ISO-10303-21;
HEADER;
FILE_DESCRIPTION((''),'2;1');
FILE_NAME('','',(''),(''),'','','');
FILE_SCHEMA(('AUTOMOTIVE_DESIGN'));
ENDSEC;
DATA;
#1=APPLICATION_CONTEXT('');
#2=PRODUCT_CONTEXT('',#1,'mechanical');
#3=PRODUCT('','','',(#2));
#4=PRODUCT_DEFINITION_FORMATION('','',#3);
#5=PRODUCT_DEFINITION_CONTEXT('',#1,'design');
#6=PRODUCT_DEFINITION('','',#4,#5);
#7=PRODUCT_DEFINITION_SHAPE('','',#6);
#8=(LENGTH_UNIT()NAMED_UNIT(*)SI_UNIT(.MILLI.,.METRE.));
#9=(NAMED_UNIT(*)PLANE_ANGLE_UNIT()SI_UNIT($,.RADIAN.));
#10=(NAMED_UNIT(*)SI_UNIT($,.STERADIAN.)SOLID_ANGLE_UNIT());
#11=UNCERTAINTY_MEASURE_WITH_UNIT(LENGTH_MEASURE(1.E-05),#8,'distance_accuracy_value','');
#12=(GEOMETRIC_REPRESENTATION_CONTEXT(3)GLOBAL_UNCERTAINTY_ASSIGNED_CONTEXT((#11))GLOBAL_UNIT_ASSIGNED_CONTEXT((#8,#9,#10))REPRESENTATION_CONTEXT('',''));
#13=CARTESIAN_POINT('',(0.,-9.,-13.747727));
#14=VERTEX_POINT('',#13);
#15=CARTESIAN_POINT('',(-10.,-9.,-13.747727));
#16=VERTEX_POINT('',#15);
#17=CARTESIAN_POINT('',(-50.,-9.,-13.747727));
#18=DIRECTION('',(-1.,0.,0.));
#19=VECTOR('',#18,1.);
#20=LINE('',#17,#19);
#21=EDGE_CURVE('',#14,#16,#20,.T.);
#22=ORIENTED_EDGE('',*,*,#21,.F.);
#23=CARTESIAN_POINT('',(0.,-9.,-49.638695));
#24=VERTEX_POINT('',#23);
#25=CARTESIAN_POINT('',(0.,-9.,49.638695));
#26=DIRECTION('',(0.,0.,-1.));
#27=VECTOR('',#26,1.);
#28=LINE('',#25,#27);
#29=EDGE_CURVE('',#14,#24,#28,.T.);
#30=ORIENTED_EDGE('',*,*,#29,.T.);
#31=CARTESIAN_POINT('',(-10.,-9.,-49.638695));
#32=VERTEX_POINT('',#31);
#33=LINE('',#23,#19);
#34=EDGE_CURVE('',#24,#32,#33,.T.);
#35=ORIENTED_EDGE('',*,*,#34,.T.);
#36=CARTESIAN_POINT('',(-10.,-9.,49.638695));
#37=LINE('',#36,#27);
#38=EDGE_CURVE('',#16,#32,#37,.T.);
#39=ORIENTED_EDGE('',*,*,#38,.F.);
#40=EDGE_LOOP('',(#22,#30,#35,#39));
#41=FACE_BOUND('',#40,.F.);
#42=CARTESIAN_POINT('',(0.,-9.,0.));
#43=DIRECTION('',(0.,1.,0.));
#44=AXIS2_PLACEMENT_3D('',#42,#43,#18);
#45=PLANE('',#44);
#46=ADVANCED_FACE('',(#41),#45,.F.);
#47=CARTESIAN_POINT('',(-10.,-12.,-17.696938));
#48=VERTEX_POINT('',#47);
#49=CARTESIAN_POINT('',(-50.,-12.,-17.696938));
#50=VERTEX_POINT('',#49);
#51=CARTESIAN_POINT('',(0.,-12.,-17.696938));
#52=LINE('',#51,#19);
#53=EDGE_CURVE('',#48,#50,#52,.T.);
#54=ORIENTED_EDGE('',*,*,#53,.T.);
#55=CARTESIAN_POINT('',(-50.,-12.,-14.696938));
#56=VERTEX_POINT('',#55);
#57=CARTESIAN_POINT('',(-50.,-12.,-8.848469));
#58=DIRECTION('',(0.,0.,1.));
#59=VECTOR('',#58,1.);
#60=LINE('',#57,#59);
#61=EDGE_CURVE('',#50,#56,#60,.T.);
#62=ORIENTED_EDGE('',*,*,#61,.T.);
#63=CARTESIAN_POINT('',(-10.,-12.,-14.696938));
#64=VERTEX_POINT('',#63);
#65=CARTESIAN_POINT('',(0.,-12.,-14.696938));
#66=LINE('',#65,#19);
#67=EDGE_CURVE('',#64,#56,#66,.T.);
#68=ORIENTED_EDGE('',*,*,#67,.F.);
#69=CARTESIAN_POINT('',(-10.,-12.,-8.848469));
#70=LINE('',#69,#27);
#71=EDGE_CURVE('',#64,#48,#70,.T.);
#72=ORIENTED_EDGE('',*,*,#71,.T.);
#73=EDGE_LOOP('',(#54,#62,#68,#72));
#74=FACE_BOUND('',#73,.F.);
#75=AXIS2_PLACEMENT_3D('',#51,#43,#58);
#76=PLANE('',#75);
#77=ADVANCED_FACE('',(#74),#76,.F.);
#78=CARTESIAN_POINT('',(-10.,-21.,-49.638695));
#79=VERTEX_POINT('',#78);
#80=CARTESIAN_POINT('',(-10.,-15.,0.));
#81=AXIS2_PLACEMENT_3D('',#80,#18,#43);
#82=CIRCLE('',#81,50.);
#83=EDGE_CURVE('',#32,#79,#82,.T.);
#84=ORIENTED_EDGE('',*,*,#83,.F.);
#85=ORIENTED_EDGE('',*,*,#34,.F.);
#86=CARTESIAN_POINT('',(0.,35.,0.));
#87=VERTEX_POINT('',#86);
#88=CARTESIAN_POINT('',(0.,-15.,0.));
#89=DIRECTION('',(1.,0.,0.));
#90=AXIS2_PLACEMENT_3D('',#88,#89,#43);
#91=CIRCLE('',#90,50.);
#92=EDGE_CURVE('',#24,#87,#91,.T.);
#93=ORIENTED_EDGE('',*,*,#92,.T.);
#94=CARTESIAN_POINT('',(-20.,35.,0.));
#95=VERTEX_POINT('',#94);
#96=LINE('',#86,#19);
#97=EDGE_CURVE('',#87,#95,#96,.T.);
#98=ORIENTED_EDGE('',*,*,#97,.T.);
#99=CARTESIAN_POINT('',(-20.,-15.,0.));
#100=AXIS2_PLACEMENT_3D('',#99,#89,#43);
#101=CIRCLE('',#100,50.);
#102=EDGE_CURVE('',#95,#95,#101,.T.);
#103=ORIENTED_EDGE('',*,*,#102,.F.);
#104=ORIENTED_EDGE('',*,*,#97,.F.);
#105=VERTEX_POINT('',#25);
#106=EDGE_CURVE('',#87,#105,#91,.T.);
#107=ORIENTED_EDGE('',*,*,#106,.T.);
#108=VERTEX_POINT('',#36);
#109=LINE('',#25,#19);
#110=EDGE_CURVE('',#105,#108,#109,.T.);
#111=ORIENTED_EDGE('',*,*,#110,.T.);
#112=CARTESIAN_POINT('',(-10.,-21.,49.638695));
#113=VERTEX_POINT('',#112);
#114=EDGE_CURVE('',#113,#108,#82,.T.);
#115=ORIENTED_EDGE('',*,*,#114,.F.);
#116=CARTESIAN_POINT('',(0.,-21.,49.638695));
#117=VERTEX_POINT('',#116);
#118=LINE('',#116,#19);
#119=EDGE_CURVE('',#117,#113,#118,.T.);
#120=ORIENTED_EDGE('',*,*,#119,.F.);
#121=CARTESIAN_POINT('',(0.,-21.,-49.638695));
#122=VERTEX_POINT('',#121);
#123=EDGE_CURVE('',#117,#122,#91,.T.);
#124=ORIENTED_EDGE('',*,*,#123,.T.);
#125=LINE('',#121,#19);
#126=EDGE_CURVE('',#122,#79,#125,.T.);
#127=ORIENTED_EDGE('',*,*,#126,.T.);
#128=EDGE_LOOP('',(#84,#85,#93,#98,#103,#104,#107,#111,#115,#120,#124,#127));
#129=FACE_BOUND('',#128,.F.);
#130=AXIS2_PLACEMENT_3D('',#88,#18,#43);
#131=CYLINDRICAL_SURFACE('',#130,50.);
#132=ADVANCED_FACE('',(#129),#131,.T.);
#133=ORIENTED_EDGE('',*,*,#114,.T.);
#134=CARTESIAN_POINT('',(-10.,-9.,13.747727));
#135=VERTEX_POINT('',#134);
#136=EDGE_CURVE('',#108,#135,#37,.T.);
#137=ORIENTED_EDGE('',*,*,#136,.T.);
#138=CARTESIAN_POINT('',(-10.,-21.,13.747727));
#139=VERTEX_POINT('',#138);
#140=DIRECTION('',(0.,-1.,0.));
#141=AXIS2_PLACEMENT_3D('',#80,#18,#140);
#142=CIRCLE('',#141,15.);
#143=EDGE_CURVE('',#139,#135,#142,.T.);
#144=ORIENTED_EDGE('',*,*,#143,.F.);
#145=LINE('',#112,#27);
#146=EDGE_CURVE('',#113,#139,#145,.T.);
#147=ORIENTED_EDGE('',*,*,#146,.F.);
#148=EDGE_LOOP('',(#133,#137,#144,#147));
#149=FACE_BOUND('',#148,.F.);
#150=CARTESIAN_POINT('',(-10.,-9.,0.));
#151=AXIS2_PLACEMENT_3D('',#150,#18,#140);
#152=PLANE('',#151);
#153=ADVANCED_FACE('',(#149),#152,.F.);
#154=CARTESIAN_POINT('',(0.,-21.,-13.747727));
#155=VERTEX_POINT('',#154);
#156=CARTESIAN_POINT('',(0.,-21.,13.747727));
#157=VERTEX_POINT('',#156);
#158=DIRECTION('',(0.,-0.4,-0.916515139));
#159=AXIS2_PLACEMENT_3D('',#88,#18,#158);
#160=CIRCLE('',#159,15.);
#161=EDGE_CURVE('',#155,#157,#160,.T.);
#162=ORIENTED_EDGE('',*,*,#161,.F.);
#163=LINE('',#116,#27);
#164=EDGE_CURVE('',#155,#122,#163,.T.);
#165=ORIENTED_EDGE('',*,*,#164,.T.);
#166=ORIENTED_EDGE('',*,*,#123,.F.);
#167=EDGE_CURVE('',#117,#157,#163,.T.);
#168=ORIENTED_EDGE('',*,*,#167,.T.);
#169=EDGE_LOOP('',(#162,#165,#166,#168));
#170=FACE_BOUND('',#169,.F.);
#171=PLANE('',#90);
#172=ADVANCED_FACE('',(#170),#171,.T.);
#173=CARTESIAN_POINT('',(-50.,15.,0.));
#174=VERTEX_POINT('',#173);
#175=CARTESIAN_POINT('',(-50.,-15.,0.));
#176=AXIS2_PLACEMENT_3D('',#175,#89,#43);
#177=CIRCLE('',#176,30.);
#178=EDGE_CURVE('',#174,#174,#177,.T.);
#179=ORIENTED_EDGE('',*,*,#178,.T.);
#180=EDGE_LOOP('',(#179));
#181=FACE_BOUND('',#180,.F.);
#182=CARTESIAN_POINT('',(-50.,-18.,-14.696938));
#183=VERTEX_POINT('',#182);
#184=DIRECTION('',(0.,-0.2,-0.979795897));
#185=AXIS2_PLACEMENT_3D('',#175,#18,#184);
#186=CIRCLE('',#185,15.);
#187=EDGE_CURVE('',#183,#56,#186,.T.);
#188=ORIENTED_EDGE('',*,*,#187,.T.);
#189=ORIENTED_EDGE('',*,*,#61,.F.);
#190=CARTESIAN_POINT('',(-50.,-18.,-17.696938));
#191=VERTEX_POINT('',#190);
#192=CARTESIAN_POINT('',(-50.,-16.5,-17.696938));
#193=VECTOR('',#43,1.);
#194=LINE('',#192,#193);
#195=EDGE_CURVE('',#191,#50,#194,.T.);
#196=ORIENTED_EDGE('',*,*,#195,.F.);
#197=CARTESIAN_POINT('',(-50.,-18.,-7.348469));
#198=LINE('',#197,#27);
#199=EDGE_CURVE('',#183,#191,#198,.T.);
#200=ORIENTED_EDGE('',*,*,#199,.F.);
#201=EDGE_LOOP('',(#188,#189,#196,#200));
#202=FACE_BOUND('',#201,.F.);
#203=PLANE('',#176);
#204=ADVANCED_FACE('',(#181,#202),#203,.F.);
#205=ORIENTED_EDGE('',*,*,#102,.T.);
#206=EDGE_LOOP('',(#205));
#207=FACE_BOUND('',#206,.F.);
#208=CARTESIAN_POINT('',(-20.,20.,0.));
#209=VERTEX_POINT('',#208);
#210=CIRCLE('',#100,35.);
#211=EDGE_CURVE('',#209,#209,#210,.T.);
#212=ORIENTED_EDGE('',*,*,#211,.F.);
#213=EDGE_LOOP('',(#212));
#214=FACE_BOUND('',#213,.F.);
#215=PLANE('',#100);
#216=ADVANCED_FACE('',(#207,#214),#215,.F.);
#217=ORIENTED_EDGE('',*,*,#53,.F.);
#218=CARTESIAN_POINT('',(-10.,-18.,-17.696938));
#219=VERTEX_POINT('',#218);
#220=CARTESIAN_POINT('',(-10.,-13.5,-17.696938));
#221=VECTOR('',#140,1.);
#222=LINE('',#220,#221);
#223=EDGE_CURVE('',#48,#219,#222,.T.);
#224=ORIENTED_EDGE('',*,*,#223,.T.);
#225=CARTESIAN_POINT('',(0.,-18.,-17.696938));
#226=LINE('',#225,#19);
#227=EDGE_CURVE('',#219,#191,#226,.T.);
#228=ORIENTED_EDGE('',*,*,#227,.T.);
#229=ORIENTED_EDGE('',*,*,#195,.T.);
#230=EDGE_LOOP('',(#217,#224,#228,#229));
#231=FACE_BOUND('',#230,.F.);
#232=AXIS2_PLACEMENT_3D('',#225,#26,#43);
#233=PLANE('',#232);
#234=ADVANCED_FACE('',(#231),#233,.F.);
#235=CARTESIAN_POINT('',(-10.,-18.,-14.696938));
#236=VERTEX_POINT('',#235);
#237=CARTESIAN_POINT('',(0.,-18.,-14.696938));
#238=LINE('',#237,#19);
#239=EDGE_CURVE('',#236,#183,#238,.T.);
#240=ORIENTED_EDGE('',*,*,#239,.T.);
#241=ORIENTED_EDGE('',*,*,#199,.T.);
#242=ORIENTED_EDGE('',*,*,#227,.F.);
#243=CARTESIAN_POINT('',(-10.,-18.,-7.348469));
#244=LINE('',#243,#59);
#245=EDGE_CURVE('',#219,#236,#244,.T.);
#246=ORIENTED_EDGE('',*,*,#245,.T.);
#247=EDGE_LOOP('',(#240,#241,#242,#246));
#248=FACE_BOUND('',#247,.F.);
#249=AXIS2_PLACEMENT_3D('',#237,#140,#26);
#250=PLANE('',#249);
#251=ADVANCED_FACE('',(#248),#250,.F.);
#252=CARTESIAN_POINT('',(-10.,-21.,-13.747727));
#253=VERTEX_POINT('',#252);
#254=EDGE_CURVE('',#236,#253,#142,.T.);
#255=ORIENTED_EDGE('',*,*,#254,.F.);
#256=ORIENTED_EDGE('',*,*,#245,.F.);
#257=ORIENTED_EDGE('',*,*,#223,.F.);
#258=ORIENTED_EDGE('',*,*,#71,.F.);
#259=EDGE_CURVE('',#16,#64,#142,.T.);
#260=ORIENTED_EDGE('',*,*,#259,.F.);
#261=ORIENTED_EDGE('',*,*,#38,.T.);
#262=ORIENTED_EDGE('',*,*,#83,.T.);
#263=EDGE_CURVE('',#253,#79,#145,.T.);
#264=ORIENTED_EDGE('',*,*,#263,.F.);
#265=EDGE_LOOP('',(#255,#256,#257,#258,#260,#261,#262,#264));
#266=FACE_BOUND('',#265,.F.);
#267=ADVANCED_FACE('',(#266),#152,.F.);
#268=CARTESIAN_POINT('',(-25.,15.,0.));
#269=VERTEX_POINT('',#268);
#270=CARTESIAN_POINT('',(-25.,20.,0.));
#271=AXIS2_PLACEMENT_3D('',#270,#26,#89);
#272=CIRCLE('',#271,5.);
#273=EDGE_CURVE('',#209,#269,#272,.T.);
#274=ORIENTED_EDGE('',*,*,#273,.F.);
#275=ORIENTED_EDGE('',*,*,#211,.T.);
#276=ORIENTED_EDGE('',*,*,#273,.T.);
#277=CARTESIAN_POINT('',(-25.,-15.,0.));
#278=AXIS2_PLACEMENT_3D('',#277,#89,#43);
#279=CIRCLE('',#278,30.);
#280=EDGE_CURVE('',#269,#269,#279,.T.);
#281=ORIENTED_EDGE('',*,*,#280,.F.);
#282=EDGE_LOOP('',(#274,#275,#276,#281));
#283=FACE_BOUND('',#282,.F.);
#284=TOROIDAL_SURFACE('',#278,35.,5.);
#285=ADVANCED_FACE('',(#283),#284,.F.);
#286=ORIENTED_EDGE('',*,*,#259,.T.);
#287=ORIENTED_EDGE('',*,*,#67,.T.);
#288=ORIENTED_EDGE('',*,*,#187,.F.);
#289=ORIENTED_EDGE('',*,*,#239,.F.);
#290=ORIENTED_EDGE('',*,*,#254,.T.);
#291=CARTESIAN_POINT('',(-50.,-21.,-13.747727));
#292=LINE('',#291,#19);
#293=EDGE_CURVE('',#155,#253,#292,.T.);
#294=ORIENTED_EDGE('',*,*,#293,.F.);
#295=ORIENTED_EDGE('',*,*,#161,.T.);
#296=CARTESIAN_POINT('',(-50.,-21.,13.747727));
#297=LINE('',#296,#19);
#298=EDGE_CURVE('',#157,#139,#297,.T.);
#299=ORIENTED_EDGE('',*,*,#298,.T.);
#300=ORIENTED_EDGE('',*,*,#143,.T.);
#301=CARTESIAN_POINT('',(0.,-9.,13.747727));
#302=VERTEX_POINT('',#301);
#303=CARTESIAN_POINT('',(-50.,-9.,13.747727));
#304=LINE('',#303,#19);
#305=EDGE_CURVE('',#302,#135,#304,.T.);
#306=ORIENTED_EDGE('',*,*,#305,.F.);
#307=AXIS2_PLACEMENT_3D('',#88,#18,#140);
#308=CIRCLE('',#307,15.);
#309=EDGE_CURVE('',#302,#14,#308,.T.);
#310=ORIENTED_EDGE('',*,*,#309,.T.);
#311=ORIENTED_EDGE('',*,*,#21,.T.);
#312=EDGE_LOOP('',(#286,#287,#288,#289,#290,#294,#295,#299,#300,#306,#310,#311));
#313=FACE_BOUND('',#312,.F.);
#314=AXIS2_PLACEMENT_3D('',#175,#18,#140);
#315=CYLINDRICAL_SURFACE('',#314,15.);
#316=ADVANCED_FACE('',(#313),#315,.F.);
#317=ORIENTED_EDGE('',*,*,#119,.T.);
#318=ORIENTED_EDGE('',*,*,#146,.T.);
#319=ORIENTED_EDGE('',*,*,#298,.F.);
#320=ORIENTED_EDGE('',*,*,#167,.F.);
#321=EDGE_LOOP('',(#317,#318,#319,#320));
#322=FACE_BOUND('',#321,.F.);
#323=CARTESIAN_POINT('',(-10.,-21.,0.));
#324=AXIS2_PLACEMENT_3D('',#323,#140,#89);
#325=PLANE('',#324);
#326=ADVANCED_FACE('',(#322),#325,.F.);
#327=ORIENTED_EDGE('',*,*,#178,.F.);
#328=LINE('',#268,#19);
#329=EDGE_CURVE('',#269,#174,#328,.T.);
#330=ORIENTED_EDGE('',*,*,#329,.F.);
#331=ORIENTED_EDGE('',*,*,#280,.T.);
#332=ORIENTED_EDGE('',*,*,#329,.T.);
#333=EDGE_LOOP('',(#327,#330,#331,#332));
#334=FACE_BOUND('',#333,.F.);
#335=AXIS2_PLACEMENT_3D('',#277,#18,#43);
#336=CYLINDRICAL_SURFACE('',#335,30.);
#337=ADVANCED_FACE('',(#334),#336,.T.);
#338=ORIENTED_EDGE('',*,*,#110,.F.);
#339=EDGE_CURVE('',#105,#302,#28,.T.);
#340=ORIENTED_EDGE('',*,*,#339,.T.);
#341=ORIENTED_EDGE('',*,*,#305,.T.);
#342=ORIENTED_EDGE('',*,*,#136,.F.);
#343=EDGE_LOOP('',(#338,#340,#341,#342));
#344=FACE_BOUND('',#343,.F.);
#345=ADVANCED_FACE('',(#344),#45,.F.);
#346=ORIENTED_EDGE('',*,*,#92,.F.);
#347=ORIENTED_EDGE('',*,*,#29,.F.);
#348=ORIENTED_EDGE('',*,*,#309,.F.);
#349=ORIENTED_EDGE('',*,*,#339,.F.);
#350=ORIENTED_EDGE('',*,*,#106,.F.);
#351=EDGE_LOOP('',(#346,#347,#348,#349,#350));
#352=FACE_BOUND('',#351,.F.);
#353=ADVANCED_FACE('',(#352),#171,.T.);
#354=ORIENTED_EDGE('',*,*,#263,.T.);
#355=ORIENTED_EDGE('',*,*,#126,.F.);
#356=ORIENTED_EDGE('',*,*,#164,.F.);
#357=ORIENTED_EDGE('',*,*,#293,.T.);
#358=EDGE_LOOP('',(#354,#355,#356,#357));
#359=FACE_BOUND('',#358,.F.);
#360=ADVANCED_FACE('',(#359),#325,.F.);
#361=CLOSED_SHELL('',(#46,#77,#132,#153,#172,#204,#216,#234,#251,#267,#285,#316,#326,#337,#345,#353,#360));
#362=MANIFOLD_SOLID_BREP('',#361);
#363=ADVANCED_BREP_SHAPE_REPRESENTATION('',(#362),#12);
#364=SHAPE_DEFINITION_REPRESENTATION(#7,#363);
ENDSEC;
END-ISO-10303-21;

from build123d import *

# Parameters (mm, degrees)
F2_DEPTH      = 50.001
F2_DEPTH_BACK = 50.001
F3_R          = 15
F4_DEPTH      = 50.001
F6_DEPTH      = 50.001


with BuildPart() as f1:
    # F0 (on Top) → F1 (revolve)
    with BuildSketch(Plane.XY):
        with BuildLine():
            Line((-20, 0), (0, 0))
            Line((0, 0), (0, 15))
            Line((0, 15), (0, 35))
            Line((0, 35), (-20, 35))
            Line((-20, 35), (-20, 20))
            ThreePointArc((-20, 20), (-21.4644660941, 16.4644660941), (-25, 15))
            Line((-25, 15), (-50, 15))
            Line((-50, 15), (-50, 0))
            Line((-50, 0), (-20, 0))
        make_face()
        Polygon((0, -9), (0, 0), (-20, 0), (-50, 0), (-50, -15), (-10, -15), (-10, -9), align=None)
    revolve(axis=Axis((-30, -15, 0), (1, 0, 0)))

    # F0 (on Top) → F2 (cut, two sides)
    with BuildSketch(Plane.XY) as f2_sk:
        Polygon((0, -21), (0, -9), (-10, -9), (-10, -15), (-10, -21), align=None)
    extrude(amount=-F2_DEPTH, mode=Mode.SUBTRACT)
    extrude(f2_sk.sketch, amount=F2_DEPTH_BACK, mode=Mode.SUBTRACT)

    # F3 (on face) → F4 (cut, through all)
    with BuildSketch(Plane(origin=(-50, 0, 0), x_dir=(0, -1, 0), z_dir=(-1, 0, 0))):
        with Locations((15, 0)):
            Circle(F3_R)
    extrude(amount=-F4_DEPTH, mode=Mode.SUBTRACT)

    # F5 (on face) → F6 (cut, through all)
    with BuildSketch(Plane.YZ):
        with BuildLine():
            Line((-12, -17.6969384567), (-12, -14.6969384567))
            ThreePointArc((-12, -14.6969384567), (-15, -15), (-18, -14.6969384567))
            Line((-18, -14.6969384567), (-18, -17.6969384567))
            Line((-18, -17.6969384567), (-15, -17.6969384567))
            Line((-15, -17.6969384567), (-12, -17.6969384567))
        make_face()
    extrude(amount=-F6_DEPTH, mode=Mode.SUBTRACT)


solid = f1.part
